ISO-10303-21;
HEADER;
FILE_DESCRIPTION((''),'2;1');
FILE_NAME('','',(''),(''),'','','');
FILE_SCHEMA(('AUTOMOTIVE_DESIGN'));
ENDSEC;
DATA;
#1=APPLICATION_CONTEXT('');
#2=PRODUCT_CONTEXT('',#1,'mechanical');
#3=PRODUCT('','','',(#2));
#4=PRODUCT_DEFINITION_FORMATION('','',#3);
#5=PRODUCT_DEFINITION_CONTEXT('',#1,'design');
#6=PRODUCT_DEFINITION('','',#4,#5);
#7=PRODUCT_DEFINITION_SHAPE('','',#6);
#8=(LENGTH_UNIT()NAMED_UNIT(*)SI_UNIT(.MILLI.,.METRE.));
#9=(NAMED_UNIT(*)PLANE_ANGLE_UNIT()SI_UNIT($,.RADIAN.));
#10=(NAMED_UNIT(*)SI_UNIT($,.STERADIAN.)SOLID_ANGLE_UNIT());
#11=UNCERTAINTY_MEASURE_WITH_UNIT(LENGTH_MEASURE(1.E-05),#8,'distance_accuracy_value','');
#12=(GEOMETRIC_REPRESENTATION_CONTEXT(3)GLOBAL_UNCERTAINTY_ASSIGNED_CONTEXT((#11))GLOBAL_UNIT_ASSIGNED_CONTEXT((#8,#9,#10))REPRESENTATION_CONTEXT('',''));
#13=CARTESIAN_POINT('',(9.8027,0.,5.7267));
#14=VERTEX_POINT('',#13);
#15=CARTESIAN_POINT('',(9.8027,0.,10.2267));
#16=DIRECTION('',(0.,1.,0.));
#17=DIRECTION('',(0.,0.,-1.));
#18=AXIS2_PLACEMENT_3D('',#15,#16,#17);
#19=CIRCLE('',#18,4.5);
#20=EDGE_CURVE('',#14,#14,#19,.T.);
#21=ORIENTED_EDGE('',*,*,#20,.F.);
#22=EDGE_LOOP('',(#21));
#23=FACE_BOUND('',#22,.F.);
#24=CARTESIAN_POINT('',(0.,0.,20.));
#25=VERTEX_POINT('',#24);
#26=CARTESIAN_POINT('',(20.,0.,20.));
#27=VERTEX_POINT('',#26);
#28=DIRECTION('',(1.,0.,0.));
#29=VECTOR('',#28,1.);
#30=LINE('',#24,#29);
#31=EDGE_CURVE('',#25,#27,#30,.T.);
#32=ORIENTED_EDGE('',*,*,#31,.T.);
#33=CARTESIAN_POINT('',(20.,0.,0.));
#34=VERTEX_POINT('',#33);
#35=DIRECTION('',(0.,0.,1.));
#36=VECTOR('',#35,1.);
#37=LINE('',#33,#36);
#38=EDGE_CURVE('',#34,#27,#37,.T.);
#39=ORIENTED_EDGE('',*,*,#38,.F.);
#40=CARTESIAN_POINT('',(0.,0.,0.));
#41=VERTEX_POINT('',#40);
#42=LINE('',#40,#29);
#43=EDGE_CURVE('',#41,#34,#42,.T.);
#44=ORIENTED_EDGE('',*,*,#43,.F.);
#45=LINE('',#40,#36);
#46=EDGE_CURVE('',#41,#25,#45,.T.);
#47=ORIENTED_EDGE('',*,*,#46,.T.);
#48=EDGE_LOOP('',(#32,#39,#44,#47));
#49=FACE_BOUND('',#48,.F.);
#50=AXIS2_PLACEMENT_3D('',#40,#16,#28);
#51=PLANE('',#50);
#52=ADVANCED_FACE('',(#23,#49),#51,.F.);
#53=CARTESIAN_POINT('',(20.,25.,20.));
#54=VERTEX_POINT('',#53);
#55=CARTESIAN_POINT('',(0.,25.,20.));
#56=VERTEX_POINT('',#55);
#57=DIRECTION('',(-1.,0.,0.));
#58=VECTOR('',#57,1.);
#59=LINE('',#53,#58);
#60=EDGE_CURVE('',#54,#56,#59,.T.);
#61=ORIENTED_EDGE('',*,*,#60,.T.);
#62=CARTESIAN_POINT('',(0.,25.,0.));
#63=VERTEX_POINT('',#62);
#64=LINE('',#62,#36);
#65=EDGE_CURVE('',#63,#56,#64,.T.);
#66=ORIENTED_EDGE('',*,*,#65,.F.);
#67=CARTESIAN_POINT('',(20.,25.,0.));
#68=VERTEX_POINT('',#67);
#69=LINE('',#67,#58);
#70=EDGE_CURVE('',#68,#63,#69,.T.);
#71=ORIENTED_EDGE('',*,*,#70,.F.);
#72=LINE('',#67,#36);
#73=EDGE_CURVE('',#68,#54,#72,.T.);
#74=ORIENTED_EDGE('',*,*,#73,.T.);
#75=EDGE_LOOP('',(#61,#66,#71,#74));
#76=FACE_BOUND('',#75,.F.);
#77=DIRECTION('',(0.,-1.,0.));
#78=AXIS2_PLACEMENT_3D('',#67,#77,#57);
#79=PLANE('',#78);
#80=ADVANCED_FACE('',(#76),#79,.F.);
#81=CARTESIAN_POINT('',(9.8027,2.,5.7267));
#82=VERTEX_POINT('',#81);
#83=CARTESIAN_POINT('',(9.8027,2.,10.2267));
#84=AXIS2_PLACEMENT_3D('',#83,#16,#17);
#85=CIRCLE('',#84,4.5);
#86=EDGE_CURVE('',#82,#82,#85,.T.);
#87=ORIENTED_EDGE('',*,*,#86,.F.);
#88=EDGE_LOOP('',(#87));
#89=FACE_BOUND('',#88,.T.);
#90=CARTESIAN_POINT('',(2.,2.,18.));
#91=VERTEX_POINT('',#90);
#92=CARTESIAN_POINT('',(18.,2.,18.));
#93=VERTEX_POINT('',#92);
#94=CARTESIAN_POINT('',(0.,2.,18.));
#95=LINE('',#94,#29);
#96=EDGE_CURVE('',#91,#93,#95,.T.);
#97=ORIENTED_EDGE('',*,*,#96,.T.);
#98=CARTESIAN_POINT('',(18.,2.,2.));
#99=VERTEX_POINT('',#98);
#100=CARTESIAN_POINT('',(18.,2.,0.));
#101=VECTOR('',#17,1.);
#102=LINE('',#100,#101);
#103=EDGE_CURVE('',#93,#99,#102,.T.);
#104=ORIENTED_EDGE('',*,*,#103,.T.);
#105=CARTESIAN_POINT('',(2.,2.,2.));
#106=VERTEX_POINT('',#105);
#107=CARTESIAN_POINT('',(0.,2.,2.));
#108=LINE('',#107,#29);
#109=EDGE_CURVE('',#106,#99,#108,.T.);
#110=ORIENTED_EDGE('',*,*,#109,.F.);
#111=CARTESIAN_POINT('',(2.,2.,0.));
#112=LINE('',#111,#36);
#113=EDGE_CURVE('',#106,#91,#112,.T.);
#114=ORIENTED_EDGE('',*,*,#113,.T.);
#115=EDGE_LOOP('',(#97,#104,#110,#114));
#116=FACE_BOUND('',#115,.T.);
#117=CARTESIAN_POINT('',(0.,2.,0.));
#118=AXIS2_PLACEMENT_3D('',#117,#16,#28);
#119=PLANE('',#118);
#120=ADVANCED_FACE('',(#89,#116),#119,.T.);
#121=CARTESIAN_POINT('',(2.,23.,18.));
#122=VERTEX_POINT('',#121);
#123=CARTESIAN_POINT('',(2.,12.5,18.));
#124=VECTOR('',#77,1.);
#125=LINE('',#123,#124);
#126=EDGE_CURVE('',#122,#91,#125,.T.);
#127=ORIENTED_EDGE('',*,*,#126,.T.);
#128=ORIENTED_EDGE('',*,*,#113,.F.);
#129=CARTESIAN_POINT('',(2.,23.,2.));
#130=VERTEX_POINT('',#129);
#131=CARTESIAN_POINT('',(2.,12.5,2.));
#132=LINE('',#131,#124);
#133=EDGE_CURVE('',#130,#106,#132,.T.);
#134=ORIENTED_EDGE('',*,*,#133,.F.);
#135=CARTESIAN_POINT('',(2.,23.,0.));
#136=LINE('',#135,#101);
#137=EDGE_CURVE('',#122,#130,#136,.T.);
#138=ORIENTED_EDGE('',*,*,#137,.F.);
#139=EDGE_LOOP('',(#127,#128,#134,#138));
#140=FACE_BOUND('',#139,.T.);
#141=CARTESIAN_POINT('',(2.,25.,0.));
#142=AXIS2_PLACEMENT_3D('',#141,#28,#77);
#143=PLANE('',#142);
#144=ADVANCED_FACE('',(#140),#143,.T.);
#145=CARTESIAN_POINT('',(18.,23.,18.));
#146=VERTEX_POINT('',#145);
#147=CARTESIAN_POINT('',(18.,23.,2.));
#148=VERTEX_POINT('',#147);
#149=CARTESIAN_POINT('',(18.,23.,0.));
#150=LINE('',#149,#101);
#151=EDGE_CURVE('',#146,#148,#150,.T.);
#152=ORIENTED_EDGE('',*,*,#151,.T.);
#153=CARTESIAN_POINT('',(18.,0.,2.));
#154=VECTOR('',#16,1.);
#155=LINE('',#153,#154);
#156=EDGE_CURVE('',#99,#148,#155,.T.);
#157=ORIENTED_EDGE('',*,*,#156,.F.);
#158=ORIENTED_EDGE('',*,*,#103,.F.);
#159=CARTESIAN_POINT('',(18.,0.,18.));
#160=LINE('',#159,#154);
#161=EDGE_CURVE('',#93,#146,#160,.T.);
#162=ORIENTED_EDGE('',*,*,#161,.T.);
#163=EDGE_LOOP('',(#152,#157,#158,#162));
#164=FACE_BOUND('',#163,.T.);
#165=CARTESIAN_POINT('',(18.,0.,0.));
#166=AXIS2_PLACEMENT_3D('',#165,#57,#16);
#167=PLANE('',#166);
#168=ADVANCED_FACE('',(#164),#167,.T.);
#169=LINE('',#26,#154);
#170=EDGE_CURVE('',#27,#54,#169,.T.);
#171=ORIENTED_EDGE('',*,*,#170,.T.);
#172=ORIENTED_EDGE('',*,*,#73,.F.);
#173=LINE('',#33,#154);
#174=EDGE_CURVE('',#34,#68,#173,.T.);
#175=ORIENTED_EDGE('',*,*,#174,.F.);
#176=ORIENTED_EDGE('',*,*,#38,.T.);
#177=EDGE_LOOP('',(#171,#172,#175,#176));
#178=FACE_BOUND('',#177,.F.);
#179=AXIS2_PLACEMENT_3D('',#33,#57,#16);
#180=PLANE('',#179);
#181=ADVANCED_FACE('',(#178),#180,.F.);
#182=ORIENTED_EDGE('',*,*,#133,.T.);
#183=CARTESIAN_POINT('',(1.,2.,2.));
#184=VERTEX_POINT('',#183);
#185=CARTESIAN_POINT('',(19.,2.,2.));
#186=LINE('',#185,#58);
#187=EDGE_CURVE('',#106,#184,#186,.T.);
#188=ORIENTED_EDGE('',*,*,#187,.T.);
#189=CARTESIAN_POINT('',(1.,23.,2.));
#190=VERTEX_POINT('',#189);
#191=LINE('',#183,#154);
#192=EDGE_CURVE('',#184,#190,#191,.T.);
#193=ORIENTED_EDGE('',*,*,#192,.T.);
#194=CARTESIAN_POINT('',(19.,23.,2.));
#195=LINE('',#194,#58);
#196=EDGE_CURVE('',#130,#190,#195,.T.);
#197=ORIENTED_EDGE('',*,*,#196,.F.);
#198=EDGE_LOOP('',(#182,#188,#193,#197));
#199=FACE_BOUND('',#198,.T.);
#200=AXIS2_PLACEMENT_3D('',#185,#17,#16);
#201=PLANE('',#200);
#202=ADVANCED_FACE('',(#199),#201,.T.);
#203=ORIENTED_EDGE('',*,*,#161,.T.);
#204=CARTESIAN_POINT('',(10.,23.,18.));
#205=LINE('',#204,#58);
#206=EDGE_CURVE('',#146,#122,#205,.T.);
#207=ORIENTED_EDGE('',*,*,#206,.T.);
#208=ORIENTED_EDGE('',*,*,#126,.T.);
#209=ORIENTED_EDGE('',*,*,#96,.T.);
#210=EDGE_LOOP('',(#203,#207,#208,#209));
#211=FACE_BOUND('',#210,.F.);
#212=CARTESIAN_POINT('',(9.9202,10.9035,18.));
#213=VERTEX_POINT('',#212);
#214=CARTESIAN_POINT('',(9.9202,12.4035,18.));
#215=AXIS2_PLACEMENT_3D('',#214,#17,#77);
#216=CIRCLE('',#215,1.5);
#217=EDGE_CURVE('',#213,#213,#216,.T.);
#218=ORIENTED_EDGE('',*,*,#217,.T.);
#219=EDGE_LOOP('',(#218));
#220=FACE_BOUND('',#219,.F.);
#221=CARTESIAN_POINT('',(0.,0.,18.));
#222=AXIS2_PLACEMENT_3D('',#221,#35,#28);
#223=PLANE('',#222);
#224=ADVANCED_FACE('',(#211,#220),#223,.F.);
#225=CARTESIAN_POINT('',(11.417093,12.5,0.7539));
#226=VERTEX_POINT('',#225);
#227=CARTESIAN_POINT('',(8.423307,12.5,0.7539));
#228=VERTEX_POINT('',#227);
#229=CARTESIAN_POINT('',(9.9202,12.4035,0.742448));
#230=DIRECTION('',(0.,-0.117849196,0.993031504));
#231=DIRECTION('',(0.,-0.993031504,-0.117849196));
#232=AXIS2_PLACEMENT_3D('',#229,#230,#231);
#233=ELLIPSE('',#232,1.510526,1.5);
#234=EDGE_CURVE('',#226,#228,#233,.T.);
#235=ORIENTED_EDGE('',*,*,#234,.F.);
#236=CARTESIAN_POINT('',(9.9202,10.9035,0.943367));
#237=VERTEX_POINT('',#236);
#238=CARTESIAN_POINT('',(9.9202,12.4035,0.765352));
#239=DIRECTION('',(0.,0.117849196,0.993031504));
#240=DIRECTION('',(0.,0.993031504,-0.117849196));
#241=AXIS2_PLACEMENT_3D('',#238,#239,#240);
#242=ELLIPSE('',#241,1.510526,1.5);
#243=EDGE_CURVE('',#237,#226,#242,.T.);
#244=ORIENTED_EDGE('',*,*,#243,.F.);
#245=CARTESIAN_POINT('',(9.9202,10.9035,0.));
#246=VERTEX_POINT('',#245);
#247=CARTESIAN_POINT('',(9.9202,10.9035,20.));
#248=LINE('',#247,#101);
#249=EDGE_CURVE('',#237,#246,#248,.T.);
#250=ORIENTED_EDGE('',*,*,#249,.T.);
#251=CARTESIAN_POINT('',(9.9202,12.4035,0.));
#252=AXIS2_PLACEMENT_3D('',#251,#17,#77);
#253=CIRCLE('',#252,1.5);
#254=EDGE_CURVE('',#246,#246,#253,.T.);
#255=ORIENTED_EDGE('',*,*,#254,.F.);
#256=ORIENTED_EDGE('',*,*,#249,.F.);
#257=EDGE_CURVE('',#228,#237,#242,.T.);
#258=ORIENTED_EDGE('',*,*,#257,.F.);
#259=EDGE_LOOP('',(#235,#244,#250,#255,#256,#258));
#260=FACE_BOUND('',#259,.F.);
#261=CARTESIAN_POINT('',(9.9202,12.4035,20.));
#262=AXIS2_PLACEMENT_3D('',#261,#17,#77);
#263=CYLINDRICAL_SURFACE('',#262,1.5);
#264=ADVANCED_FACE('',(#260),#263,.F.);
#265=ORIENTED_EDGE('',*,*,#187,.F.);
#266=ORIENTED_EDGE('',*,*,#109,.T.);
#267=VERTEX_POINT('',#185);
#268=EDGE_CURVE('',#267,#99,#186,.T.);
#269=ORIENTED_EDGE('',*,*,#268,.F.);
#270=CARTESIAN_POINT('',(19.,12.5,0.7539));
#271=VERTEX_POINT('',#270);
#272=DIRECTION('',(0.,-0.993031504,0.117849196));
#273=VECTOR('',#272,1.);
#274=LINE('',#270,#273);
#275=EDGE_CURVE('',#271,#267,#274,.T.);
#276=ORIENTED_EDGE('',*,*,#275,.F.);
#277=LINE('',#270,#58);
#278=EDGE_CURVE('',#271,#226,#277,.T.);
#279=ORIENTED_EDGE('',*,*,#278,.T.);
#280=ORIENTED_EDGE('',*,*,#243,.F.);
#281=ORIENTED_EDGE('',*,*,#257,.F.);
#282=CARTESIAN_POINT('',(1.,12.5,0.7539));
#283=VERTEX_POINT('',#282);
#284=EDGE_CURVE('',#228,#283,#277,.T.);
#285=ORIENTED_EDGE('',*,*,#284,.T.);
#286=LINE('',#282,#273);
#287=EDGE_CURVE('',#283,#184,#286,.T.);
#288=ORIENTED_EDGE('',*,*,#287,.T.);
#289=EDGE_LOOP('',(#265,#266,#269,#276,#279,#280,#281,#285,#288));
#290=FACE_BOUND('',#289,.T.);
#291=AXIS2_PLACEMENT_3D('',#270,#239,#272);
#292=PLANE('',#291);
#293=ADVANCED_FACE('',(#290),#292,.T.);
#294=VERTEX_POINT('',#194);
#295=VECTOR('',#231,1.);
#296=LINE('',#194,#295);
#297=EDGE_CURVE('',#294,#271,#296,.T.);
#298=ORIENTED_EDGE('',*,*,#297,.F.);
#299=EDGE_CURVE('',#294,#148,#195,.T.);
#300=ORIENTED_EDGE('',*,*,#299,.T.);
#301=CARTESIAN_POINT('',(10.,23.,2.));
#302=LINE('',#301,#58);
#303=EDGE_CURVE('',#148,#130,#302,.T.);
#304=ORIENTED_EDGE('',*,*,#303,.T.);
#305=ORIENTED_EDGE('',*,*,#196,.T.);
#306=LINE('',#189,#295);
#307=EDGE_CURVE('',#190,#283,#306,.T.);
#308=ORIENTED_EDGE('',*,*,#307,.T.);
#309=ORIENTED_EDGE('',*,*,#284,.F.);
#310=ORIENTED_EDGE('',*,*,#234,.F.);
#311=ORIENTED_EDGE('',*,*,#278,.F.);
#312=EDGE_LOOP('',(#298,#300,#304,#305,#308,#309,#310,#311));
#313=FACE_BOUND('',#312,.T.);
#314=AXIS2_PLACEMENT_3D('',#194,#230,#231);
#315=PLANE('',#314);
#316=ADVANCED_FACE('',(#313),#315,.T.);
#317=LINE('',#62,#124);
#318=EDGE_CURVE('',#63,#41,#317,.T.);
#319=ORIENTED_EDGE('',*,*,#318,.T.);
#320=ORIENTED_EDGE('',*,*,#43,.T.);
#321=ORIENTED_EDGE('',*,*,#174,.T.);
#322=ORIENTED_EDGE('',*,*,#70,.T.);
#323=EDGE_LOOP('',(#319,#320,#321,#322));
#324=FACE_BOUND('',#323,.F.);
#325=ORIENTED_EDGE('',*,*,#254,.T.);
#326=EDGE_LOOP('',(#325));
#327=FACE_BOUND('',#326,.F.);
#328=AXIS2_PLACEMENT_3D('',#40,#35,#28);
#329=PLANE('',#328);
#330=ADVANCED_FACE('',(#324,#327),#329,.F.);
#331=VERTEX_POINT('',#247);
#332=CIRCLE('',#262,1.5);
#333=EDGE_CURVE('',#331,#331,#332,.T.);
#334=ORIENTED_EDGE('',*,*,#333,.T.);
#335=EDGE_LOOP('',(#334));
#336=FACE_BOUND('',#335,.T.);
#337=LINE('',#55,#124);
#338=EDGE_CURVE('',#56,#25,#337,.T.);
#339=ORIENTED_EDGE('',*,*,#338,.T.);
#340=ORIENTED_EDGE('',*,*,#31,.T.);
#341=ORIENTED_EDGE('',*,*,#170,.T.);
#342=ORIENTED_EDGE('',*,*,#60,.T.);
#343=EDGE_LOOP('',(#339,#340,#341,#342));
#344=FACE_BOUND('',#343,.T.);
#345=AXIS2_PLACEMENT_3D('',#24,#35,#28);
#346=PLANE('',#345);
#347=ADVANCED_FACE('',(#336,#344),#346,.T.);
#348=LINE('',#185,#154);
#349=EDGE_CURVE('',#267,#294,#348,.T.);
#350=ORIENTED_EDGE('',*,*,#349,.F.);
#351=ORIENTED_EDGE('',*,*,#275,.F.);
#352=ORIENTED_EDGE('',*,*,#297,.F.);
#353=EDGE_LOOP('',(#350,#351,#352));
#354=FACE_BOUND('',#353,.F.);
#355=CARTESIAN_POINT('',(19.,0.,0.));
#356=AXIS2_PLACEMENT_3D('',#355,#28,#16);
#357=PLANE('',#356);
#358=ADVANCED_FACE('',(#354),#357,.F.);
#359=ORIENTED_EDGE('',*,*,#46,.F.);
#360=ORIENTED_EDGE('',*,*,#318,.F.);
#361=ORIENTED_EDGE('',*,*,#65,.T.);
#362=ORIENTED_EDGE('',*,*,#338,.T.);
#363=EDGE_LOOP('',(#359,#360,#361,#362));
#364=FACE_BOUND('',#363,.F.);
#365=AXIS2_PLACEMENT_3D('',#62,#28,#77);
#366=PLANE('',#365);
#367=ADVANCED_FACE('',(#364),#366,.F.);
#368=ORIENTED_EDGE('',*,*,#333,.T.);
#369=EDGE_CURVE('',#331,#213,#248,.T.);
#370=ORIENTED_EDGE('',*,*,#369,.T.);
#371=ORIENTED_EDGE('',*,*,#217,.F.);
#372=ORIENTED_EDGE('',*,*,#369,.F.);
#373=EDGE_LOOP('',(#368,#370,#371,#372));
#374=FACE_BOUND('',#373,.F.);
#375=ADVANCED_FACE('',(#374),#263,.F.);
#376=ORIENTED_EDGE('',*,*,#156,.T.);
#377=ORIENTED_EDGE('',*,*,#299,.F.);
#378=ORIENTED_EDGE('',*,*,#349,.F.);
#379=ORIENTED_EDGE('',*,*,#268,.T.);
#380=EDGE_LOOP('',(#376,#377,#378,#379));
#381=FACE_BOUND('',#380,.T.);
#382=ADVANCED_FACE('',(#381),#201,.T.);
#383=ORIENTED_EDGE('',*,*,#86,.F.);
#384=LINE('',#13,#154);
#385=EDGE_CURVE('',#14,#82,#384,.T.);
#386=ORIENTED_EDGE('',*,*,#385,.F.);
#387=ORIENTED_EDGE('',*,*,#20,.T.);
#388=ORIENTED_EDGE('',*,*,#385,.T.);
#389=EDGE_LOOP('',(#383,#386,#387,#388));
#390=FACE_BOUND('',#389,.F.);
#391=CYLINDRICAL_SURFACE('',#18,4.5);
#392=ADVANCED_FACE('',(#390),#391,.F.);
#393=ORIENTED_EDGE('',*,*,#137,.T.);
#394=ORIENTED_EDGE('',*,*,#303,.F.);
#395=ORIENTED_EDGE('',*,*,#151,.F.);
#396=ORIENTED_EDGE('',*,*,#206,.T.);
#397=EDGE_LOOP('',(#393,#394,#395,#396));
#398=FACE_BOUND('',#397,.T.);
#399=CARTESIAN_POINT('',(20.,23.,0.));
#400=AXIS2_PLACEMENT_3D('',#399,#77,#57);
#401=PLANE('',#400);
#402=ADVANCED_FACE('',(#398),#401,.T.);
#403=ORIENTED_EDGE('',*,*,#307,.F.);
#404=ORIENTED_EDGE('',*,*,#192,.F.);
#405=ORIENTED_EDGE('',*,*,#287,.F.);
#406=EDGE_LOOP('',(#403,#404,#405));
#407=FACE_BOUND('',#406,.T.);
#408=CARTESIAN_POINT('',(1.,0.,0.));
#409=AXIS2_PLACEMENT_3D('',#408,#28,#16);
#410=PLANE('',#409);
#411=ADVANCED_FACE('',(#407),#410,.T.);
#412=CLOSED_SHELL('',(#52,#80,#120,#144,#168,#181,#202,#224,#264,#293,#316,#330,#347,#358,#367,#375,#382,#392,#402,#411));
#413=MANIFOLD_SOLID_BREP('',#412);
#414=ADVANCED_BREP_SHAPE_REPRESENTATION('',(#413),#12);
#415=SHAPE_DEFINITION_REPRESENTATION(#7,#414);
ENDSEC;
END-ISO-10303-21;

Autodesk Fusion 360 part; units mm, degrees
sketch "Sketch1" plane through (0, 0, 0) normal (0, 0, 1) x (1, 0, 0)
  line L0 (0, 0) -> (20, 0)
  line L1 (20, 0) -> (20, 25)
  line L2 (20, 25) -> (0, 25)
  line L3 (0, 25) -> (0, 0)
extrude "Extrude1" add sketch "Sketch1" along normal blind 20
sketch "Sketch2" plane through (0, 0, 0) normal (0, 0, -1) x (1, 0, 0)
  line L0 (0, 0) -> (0, -25)
  line L1 (0, -25) -> (20, -25)
  line L2 (20, -25) -> (20, 0)
  line L3 (20, 0) -> (0, 0)
shell "Shell1" thickness 2 removed faces 0 bodies 1
sketch "Sketch3" plane through (0, 0, 20) normal (0, 0, 1) x (-1, 0, 0)
  line L0 (0, -25) -> (0, 0)
  line L1 (0, 0) -> (-20, 0)
  line L2 (-20, 0) -> (-20, -25)
  line L3 (-20, -25) -> (0, -25)
hole "Hole1" at (9.9202, 12.4035, 20) direction (0, 0, -1) diameter 3 depth 25 tip angle 118
hole "Hole2" at (9.8027, 0, 10.2267) direction (0, 1, 0) diameter 9 depth 4 tip angle 118
sketch "Sketch4" plane through (20, 0, 0) normal (1, 0, 0) x (0, 1, 0)
  line L0 (0, 0) -> (25, 0)
  line L1 (25, 0) -> (25, 20)
  line L2 (25, 20) -> (0, 20)
  line L3 (0, 20) -> (0, 0)
  line L4 (12.5, 0.7539) -> (2, 2)
  line L5 (2, 2) -> (23, 2)
  line L6 (23, 2) -> (12.5, 0.7539)
  line L7 (2, 2) -> (23, 2)
  line L8 (2, 2) -> (12.5, 0.7539)
  line L9 (23, 2) -> (12.5, 0.7539)
extrude "Extrude2" cut sketch "Sketch4" against normal blind 18 from surface at -1 contours L4 L5 L6 L7 L8 L9
ref_plane "WorkPlane1" through (0, 0, 20) normal (0.6155, -0.4924, 0.6155) x (0.6247, 0.7809, 0)
ref_plane "WorkPlane2" through (15, 12.5, 10) normal (1, 0, 0) x (0, 1, 0)
sketch "Sketch7" plane through (15, 0, 0) normal (1, 0, 0) x (0, 1, 0)
  line L0 (-2, 22) -> (31, 22)
  line L1 (31, 22) -> (31, -5)
  line L2 (31, -5) -> (-2, -5)
  line L3 (-2, -5) -> (-2, 22)
sketch "Sketch6" plane through (7.5758, -6.0606, 7.5758) normal (0.6155, -0.4924, 0.6155) x (0.6247, 0.7809, 0)
  line L0 (-4, 34) -> (46, 34)
  line L1 (46, 34) -> (46, -16)
  line L2 (46, -16) -> (-4, -16)
  line L3 (-4, -16) -> (-4, 34)
extrude "Extrude3" [suppressed]
sketch "Sketch5" plane through (0, 25, 0) normal (0, 1, 0) x (-1, 0, 0)
  line L0 (-20, 0) -> (0, 0)
  line L1 (0, 0) -> (0, 20)
  line L2 (0, 20) -> (-20, 20)
  line L3 (-20, 20) -> (-20, 0)
  line L4 (-10, 0.754) -> (-18, 2)
  line L5 (-18, 2) -> (-2, 2)
  line L6 (-2, 2) -> (-10, 0.754)
